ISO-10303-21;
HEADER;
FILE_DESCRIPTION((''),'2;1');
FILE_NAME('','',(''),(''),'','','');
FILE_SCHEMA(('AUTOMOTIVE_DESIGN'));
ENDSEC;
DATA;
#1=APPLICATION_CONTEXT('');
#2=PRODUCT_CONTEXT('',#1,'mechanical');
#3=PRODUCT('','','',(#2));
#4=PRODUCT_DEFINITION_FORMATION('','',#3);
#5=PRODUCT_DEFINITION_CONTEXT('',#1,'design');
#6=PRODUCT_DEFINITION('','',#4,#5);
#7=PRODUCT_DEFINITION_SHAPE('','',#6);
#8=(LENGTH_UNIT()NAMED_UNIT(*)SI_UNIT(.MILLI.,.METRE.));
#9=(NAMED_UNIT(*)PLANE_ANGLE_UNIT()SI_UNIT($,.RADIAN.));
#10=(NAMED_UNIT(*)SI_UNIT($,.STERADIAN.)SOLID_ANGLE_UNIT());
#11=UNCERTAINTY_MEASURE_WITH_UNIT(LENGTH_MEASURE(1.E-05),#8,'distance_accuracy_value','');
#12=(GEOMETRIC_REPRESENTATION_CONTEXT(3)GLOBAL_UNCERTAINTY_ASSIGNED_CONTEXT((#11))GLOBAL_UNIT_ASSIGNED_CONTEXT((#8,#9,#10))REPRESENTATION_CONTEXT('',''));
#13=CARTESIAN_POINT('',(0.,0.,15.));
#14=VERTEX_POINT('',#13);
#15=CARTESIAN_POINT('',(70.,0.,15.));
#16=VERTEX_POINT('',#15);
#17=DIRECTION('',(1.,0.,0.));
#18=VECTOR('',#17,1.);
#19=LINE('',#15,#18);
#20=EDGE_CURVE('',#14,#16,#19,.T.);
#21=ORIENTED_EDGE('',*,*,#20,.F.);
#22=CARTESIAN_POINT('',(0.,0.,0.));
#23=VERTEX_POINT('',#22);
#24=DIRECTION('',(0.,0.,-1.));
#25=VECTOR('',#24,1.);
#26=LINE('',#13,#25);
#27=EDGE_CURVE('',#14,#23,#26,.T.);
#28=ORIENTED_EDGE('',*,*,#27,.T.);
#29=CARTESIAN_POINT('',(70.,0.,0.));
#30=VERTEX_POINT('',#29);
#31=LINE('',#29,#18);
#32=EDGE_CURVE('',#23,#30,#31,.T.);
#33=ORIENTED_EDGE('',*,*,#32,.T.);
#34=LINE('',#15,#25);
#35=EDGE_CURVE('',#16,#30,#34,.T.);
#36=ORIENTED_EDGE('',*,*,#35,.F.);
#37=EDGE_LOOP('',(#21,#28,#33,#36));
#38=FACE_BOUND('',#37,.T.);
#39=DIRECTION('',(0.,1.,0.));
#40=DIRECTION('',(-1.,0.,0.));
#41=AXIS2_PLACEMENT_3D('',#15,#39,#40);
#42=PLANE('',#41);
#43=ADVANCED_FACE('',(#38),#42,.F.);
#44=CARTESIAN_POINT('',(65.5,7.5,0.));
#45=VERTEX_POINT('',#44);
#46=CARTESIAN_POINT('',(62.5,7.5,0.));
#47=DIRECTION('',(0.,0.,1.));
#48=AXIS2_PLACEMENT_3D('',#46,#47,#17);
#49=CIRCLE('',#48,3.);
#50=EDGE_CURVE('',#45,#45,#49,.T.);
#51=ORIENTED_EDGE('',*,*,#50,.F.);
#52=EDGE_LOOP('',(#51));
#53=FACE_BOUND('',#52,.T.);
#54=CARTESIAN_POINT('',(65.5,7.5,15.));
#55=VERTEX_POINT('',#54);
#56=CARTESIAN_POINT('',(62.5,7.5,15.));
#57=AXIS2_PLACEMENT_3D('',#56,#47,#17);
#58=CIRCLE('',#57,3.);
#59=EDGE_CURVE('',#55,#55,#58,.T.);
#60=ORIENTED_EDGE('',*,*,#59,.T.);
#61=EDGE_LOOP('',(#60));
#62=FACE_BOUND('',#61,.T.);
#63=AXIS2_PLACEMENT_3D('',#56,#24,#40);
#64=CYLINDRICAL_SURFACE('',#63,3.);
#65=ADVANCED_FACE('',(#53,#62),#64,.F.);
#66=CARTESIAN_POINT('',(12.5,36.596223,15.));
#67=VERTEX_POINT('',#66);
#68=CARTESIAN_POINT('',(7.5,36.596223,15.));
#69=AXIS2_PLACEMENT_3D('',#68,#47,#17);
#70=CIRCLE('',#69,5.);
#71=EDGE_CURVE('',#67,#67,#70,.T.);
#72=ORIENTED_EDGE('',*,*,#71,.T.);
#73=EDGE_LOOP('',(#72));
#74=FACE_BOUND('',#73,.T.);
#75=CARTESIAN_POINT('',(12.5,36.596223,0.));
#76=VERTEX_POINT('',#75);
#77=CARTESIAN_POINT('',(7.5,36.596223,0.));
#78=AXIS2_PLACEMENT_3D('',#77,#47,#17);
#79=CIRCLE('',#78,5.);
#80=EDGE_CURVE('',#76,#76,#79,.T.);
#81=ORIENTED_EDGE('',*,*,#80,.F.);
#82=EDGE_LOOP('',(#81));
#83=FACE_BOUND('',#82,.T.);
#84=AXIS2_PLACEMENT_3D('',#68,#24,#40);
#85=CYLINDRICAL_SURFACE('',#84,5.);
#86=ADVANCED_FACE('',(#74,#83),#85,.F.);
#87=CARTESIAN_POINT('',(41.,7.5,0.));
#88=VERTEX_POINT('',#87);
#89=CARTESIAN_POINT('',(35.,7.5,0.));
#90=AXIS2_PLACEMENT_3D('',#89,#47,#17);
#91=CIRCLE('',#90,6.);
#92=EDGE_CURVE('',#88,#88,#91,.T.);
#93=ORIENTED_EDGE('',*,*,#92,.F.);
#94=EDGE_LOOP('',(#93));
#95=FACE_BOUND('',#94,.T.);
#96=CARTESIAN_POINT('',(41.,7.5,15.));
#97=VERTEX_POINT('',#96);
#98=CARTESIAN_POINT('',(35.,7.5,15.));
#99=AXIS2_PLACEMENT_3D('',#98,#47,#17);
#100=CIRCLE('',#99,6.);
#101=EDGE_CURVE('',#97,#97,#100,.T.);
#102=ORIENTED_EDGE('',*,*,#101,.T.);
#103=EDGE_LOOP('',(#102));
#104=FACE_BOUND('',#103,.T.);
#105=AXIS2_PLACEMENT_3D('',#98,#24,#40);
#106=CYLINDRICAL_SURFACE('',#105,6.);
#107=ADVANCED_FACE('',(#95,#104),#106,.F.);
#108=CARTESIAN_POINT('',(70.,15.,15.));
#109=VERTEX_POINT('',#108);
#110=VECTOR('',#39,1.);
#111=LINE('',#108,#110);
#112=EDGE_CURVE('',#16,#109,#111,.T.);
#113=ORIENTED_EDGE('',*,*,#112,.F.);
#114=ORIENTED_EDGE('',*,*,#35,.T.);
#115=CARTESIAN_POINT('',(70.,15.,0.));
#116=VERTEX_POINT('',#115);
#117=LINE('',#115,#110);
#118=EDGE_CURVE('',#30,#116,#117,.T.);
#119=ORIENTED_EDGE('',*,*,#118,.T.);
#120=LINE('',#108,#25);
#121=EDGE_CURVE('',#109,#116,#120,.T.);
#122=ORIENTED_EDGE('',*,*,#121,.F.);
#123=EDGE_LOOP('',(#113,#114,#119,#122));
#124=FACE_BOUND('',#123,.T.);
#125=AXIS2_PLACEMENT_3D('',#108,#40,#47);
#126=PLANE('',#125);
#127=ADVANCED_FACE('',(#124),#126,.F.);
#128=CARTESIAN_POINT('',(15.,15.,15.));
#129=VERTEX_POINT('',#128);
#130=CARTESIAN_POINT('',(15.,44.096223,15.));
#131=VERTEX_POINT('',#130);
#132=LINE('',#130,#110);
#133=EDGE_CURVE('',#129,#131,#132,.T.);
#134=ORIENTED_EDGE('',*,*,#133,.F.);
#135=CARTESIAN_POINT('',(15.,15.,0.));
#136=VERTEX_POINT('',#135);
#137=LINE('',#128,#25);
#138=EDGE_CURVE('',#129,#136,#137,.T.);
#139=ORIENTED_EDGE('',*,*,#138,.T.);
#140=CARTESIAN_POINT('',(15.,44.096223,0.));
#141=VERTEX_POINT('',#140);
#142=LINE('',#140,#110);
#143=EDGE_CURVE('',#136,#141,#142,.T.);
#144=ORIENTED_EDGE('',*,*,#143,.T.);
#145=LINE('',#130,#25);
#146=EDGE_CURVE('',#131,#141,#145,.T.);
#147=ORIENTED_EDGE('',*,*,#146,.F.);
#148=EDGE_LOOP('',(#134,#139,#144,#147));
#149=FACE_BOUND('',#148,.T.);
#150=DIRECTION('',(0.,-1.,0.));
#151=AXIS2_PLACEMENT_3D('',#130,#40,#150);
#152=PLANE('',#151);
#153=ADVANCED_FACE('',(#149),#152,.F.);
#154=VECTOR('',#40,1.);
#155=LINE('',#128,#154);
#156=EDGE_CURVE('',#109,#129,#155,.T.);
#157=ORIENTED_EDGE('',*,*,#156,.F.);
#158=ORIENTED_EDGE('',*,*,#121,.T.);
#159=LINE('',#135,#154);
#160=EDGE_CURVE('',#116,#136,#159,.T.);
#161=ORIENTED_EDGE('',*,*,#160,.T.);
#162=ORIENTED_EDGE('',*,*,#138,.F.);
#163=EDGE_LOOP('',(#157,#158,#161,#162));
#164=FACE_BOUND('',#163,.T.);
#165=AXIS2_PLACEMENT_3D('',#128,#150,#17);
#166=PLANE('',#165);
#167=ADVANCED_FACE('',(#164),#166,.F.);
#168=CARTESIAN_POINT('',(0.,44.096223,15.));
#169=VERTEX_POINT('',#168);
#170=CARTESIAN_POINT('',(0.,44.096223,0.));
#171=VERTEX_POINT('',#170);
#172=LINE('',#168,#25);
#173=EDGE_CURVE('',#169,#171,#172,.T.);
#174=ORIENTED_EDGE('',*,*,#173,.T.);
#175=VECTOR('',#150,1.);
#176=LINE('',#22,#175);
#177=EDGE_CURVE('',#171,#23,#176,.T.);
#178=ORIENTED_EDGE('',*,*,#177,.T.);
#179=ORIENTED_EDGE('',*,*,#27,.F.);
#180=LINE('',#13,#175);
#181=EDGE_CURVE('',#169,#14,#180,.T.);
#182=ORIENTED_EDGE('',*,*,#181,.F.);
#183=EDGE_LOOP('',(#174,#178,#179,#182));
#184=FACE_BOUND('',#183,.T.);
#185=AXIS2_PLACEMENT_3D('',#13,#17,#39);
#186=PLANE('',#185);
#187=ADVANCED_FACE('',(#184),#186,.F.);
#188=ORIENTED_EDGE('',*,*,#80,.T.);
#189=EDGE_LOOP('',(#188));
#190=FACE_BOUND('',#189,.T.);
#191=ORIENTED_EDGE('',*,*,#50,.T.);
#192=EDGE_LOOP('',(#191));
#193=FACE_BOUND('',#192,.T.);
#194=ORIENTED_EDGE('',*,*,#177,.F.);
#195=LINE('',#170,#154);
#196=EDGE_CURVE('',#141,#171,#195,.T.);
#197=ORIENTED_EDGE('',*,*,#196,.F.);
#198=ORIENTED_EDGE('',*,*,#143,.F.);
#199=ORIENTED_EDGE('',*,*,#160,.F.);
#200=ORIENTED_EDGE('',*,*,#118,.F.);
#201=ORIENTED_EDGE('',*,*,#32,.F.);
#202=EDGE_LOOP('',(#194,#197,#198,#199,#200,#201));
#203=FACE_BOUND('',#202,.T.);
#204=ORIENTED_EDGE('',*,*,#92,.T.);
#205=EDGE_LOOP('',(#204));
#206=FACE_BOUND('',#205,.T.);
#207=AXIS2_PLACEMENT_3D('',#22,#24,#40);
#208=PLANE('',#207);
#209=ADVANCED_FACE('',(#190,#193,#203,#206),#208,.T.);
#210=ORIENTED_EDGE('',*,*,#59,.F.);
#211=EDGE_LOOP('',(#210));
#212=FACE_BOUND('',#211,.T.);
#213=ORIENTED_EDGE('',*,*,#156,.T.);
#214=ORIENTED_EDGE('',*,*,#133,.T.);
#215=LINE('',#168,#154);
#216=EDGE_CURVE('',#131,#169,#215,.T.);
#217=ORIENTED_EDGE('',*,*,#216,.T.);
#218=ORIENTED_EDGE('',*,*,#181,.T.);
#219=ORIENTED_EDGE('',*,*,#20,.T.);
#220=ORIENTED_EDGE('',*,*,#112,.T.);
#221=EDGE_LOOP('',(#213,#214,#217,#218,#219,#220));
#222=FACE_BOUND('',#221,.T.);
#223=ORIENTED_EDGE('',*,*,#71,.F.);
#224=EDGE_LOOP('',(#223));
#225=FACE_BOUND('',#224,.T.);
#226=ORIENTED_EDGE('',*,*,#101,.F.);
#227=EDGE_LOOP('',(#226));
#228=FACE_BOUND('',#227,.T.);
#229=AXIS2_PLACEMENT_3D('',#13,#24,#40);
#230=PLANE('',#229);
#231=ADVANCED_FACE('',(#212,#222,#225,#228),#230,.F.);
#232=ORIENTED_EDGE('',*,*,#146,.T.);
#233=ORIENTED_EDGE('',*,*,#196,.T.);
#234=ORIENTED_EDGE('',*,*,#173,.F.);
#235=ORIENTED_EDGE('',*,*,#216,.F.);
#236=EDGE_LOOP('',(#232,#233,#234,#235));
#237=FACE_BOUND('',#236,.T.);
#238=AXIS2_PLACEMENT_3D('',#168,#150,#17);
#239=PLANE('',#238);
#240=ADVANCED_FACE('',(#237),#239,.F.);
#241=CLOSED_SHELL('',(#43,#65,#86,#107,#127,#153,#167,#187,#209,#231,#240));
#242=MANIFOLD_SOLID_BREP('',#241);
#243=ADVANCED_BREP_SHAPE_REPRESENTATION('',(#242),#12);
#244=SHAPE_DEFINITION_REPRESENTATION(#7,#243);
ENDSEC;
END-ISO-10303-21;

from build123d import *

# Parameters (mm, degrees)
SKETCH_1_R      = 5
SKETCH_1_R_2    = 3
SKETCH_1_R_3    = 6
EXTRUDE_1_DEPTH = 15


with BuildPart() as part:
    # 草圖1 → 填料-伸長1 (new body)
    with BuildSketch(Plane.XY):
        Polygon((0, 0), (0, 44.096222713), (15, 44.096222713), (15, 15), (70, 15), (70, 0), align=None)
        with Locations((7.5, 36.596222713)):
            Circle(SKETCH_1_R, mode=Mode.SUBTRACT)
        with Locations((62.5, 7.5)):
            Circle(SKETCH_1_R_2, mode=Mode.SUBTRACT)
        with Locations((35, 7.5)):
            Circle(SKETCH_1_R_3, mode=Mode.SUBTRACT)
    extrude(amount=EXTRUDE_1_DEPTH)


solid = part.part
